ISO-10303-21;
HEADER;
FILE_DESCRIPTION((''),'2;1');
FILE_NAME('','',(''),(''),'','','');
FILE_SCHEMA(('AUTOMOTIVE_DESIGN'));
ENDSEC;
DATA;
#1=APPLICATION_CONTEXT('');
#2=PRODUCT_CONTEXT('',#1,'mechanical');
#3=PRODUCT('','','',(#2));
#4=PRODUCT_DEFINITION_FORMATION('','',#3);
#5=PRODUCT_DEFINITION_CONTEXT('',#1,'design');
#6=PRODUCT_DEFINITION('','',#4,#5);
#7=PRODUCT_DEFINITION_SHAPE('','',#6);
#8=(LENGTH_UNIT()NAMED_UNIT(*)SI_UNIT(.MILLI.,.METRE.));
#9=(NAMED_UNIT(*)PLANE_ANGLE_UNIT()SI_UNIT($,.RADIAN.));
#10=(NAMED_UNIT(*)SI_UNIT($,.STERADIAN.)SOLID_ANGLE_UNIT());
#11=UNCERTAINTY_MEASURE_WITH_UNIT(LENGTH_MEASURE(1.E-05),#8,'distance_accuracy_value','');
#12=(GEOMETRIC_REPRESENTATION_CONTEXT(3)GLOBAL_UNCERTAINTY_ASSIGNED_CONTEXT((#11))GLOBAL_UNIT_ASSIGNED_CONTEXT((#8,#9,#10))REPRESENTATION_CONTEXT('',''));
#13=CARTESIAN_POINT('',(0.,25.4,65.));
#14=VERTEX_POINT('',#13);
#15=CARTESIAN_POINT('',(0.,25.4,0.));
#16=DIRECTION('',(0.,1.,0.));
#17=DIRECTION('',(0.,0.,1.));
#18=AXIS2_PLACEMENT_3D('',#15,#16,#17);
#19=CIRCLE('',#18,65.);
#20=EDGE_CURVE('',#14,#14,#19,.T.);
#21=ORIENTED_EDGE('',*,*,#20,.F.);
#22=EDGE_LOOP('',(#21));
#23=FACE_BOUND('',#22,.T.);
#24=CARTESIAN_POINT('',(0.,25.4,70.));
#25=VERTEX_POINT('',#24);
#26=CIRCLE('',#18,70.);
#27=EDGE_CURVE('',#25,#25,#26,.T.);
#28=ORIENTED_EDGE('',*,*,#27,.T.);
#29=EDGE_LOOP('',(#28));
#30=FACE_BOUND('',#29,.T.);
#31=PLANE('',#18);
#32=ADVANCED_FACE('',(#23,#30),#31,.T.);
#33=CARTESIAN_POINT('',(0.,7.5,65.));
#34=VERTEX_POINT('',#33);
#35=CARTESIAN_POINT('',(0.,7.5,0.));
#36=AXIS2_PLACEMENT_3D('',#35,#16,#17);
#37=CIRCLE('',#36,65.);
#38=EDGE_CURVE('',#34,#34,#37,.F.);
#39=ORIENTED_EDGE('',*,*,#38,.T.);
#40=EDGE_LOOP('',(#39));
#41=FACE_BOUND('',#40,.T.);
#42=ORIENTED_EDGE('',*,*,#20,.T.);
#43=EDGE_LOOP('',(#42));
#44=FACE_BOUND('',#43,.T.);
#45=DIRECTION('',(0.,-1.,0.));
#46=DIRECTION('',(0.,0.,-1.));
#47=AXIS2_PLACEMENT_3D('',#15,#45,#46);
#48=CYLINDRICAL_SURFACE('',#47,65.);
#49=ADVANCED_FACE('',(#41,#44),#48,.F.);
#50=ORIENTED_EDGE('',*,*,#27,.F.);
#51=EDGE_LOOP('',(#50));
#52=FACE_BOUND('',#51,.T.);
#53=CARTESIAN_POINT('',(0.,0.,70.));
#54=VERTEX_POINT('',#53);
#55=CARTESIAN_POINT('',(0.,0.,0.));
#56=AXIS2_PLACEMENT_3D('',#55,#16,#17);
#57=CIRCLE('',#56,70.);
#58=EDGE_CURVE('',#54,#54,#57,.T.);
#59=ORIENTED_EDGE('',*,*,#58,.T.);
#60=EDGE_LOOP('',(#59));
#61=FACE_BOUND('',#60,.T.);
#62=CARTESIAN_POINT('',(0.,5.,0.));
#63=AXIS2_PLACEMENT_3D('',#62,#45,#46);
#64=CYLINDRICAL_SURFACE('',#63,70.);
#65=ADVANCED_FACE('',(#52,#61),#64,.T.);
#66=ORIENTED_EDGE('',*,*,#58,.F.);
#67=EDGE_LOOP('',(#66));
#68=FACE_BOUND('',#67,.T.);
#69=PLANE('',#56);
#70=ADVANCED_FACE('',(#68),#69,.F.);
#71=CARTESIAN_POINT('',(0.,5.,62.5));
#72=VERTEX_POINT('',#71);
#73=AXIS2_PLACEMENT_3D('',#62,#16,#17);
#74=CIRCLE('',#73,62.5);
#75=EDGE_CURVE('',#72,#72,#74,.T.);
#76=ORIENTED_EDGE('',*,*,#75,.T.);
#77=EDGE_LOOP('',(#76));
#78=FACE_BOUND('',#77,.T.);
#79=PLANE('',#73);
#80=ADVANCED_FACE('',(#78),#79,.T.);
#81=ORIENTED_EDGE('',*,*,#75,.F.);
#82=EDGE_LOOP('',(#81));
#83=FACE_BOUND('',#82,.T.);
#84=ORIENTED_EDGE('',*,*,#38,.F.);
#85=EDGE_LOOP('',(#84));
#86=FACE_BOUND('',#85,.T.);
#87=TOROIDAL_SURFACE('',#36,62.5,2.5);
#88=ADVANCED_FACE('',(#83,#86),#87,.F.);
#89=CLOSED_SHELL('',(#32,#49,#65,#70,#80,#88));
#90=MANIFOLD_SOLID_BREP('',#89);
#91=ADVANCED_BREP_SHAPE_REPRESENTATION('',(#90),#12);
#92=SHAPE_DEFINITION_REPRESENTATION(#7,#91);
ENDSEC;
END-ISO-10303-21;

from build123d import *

# Parameters (mm, degrees)
SKETCH1_R           = 70
SKETCH1_R_2         = 65
SKETCH1_R_3         = 55
BOSS_EXTRUDE1_DEPTH = 5
SKETCH2_R           = 70
SKETCH2_R_2         = 65
BOSS_EXTRUDE2_DEPTH = 20.4
FILLET1_R           = 2.5


with BuildPart() as part:
    # Sketch1 → Boss-Extrude1 (new body)
    # profile 1 of 3: a face of its own
    with BuildSketch(Plane(origin=(0, 0, 0), x_dir=(1, 0, 0), z_dir=(0, 1, 0))):
        with Locations(Location((0, 0, 0), (0, 0, 270))):
            Circle(SKETCH1_R)
        Circle(SKETCH1_R_2, mode=Mode.SUBTRACT)
    # profile 2 of 3: a face of its own
    with BuildSketch(Plane(origin=(0, 0, 0), x_dir=(1, 0, 0), z_dir=(0, 1, 0))):
        Circle(SKETCH1_R_2)
        Circle(SKETCH1_R_3, mode=Mode.SUBTRACT)
    # profile 3 of 3: a face of its own
    with BuildSketch(Plane(origin=(0, 0, 0), x_dir=(1, 0, 0), z_dir=(0, 1, 0))):
        Circle(SKETCH1_R_3)
    extrude(amount=BOSS_EXTRUDE1_DEPTH)

    # Sketch2 → Boss-Extrude2 (add)
    with BuildSketch(Plane(origin=(0, 5, 0), x_dir=(1, 0, 0), z_dir=(0, 1, 0))):
        with Locations(Location((0, 0, 0), (0, 0, 270))):
            Circle(SKETCH2_R)
        with Locations(Location((0, 0, 0), (0, 0, 270))):
            Circle(SKETCH2_R_2, mode=Mode.SUBTRACT)
    extrude(amount=BOSS_EXTRUDE2_DEPTH)

    # Fillet1
    fillet1_edges = [part.edges().sort_by_distance(p)[0] for p in [
        (0, 5, -65),
    ]]
    fillet(fillet1_edges, radius=FILLET1_R)


solid = part.part
